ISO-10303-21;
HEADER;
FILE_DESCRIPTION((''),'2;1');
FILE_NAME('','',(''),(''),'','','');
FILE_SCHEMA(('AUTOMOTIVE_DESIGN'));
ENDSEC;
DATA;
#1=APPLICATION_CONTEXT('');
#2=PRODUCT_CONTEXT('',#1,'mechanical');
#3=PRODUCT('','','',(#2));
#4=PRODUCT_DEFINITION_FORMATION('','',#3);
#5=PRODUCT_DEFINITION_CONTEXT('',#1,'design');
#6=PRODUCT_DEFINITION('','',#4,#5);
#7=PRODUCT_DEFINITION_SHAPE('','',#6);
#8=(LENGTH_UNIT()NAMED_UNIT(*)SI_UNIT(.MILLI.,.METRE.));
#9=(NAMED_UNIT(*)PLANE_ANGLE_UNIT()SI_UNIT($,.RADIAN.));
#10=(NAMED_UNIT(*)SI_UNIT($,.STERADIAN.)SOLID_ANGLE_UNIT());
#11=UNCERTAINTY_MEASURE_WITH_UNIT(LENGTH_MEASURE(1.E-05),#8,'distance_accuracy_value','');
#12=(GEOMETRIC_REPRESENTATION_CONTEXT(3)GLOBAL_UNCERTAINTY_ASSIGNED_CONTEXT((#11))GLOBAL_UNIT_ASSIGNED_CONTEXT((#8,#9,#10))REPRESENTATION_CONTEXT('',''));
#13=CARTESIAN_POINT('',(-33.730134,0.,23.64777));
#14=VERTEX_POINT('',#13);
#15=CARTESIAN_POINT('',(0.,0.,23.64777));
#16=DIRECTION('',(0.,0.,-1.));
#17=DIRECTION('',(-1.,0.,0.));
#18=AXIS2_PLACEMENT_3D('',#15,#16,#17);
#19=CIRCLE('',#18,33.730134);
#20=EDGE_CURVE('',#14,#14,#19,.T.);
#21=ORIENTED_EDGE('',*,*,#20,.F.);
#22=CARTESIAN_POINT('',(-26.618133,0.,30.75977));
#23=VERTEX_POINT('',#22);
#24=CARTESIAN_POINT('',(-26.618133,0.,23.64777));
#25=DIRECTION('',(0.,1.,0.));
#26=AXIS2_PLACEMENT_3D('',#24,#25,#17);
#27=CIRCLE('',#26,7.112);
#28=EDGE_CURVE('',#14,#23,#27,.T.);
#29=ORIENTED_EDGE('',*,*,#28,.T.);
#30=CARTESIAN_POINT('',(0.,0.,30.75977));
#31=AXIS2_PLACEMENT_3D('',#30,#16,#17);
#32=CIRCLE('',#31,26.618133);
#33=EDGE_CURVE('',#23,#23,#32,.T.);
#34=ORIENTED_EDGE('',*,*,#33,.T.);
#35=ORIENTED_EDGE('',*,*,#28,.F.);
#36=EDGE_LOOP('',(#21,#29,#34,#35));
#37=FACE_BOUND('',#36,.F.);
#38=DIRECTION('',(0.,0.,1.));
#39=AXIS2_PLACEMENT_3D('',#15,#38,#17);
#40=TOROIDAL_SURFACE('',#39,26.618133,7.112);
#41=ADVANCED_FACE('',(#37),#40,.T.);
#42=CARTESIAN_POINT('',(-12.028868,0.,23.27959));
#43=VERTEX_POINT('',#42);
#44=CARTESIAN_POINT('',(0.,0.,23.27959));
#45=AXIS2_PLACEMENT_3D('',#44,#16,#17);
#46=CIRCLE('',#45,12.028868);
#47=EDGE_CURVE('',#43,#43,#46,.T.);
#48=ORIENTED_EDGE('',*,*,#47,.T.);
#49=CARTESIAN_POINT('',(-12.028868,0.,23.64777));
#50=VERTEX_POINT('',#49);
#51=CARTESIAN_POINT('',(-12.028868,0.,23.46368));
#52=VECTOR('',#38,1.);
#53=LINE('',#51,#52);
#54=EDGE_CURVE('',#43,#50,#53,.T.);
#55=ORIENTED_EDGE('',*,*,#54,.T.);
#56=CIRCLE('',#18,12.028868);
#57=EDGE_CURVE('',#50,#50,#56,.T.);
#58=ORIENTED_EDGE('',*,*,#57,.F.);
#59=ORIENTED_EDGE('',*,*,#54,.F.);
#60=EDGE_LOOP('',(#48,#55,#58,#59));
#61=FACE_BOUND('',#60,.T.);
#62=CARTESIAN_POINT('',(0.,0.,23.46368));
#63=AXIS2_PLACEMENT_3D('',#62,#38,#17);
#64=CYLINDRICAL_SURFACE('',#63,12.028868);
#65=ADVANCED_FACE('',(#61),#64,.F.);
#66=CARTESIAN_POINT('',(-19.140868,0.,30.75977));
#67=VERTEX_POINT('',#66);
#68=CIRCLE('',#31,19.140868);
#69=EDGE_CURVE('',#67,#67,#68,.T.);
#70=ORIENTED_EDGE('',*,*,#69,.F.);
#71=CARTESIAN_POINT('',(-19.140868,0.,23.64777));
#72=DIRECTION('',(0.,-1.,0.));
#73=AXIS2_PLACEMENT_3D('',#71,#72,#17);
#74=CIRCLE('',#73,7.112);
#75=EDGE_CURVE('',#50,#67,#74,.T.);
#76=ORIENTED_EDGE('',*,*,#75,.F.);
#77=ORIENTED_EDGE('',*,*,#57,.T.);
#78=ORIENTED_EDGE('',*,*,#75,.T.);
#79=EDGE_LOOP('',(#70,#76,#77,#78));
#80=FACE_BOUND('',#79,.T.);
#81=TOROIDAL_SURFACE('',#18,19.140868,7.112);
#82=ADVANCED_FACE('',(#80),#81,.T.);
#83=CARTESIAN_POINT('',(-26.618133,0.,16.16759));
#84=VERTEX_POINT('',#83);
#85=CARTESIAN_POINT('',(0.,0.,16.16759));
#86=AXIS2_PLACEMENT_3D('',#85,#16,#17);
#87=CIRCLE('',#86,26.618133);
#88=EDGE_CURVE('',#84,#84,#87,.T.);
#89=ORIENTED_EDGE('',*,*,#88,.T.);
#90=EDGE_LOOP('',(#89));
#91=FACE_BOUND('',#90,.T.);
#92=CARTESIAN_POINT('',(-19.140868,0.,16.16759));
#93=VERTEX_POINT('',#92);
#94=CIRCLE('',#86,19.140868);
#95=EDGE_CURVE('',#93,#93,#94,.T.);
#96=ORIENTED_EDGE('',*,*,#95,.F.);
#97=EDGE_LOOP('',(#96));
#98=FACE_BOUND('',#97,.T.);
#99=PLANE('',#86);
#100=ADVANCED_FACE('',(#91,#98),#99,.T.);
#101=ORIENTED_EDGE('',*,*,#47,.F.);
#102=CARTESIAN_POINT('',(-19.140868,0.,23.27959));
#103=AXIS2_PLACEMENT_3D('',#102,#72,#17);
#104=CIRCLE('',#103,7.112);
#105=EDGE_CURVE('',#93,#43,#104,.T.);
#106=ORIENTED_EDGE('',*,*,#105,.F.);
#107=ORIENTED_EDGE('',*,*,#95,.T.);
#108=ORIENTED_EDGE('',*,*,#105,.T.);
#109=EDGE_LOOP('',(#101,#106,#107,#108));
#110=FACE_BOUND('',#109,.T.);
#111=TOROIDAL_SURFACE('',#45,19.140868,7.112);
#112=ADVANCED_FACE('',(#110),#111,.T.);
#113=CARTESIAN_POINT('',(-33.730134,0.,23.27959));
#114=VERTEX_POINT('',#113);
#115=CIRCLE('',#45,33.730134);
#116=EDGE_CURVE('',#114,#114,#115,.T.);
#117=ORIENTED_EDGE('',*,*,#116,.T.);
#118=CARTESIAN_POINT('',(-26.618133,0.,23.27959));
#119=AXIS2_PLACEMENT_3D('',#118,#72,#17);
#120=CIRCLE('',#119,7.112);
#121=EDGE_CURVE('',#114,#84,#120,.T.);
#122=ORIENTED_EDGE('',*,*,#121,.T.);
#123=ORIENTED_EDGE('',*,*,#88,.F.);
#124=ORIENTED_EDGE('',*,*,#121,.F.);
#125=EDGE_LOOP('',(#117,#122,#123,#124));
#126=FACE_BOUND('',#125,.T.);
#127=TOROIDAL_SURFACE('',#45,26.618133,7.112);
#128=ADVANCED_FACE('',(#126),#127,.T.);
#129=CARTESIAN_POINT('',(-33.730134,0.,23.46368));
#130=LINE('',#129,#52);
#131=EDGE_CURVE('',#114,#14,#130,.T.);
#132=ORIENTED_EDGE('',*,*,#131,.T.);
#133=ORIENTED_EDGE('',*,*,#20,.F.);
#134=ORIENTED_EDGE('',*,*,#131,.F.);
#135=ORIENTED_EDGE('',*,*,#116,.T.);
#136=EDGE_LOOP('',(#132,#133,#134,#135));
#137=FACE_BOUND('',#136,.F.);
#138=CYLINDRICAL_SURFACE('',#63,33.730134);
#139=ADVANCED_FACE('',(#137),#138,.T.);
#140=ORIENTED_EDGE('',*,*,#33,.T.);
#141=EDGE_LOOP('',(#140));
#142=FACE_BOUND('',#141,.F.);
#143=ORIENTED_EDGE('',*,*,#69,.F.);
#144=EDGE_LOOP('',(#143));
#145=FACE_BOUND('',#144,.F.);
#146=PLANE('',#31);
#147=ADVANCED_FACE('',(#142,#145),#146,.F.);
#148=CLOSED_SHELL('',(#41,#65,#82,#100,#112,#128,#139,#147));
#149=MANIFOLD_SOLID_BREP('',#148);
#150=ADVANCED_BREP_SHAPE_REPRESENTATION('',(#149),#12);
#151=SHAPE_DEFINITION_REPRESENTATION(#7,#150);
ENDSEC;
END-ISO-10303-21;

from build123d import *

# Parameters (mm, degrees)
F0_W = 21.701265
F0_H = 14.59218
F2_R = 7.112


with BuildPart() as f1:
    # F0 (on Front) → F1 (revolve)
    with BuildSketch(Plane.XZ):
        with Locations((-22.879501, 23.46368)):
            Rectangle(F0_W, F0_H)
    revolve(axis=Axis((0, 0, -15.308093), (0, 0, -1)))

    # F2
    f2_edges = [f1.edges().sort_by_distance(p)[0] for p in [
        (33.730134, 0, 30.75977),
        (33.730134, 0, 16.16759),
        (-33.730134, 0, 23.46368),
        (12.028869, 0, 16.16759),
        (12.028869, 0, 30.75977),
        (-12.028869, 0, 23.46368),
    ]]
    fillet(f2_edges, radius=F2_R)


solid = f1.part
